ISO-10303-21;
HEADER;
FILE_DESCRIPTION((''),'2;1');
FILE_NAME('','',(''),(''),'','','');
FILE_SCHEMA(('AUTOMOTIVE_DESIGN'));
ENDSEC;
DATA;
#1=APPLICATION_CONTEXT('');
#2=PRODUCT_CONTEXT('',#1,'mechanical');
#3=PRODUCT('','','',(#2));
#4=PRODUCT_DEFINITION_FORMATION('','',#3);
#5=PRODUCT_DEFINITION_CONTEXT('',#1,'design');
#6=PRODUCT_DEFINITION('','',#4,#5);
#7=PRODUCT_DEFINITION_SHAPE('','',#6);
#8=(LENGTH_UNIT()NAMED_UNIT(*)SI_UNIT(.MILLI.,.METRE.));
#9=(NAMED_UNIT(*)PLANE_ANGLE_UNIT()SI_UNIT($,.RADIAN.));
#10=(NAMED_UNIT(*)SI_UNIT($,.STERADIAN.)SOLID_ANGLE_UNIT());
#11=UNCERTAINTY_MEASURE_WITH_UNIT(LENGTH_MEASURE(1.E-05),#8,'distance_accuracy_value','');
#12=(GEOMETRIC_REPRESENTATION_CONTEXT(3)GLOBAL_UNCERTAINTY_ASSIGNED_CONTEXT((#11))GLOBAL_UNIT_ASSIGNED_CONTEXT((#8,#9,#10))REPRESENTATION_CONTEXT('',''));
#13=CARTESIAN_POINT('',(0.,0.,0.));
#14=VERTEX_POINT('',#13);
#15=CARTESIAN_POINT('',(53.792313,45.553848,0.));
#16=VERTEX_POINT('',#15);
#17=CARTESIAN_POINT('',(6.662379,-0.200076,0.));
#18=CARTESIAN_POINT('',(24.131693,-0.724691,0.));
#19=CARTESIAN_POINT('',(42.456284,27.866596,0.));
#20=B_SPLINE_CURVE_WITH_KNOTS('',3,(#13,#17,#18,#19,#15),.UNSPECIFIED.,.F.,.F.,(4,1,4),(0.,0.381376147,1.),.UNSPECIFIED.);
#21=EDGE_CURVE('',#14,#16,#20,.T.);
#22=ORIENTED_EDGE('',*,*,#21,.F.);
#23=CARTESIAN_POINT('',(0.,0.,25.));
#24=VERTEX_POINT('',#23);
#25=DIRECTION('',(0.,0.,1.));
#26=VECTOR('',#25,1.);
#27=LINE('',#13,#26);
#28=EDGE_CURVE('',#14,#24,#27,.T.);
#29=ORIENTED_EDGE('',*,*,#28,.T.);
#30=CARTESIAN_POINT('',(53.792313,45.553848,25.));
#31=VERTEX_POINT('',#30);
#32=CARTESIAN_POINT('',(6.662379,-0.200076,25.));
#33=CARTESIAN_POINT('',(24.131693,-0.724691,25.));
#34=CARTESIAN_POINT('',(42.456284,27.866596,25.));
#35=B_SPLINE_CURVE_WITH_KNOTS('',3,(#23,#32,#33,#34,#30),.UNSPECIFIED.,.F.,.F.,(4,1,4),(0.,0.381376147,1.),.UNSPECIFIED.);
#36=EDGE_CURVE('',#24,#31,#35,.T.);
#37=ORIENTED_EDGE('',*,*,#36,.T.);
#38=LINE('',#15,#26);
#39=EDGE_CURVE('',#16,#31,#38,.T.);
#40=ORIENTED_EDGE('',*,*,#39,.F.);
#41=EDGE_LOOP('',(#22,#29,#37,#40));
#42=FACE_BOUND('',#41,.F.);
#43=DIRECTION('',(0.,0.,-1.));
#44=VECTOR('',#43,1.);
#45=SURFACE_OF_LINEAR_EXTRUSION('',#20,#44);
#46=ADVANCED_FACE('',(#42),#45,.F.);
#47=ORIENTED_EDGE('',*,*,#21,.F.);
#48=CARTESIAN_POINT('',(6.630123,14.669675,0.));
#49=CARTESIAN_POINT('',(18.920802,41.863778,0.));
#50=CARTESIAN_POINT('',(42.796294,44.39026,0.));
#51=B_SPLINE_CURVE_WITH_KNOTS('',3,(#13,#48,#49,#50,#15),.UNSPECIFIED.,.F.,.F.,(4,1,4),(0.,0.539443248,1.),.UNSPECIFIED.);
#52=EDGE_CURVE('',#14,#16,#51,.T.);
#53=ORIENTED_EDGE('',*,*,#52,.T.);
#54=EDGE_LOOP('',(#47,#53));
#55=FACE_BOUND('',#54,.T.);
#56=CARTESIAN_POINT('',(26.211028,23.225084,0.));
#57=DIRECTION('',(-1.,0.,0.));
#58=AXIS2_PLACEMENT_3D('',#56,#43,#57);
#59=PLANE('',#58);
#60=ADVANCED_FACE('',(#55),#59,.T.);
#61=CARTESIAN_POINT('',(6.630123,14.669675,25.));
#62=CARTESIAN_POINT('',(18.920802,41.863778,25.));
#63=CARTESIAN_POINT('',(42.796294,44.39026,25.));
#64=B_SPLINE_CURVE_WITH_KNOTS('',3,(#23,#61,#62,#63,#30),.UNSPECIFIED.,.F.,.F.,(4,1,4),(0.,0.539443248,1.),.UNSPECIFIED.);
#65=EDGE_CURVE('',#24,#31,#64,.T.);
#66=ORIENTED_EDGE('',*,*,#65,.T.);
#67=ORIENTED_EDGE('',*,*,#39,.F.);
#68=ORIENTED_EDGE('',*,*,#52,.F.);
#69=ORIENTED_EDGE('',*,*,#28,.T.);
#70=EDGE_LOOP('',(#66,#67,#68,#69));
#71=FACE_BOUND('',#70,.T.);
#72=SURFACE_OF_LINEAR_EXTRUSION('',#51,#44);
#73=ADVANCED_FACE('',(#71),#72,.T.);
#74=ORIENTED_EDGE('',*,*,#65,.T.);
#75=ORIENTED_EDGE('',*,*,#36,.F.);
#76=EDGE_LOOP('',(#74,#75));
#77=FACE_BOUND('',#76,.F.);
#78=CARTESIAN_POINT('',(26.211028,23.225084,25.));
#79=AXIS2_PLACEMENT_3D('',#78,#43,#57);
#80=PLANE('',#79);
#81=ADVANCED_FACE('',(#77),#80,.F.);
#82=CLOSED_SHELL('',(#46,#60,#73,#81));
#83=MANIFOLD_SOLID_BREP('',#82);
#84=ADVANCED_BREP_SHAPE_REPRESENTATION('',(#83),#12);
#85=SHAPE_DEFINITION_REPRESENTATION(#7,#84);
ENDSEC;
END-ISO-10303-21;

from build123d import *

# Parameters (mm, degrees)
F1_DEPTH = 25


with BuildPart() as f1:
    # F0 (on Top) → F1 (new body)
    with BuildSketch(Plane.XY):
        with BuildLine():
            add(Edge.make_bspline(
                [(0, 0), (6.6301234124, 14.6696750051), (18.9208017042, 41.8637775758), (42.7962936895, 44.3902597309), (53.7923127413, 45.5538481474)],
                knots=[0, 0, 0, 0, 0.5394432476, 1, 1, 1, 1], degree=3))
            add(Edge.make_bspline(
                [(0, 0), (6.6623794826, -0.200075793), (24.1316930295, -0.7246911756), (42.4562837908, 27.8665959372), (53.7923127413, 45.5538481474)],
                knots=[0, 0, 0, 0, 0.3813761465, 1, 1, 1, 1], degree=3))
        make_face()
    extrude(amount=F1_DEPTH)


solid = f1.part
